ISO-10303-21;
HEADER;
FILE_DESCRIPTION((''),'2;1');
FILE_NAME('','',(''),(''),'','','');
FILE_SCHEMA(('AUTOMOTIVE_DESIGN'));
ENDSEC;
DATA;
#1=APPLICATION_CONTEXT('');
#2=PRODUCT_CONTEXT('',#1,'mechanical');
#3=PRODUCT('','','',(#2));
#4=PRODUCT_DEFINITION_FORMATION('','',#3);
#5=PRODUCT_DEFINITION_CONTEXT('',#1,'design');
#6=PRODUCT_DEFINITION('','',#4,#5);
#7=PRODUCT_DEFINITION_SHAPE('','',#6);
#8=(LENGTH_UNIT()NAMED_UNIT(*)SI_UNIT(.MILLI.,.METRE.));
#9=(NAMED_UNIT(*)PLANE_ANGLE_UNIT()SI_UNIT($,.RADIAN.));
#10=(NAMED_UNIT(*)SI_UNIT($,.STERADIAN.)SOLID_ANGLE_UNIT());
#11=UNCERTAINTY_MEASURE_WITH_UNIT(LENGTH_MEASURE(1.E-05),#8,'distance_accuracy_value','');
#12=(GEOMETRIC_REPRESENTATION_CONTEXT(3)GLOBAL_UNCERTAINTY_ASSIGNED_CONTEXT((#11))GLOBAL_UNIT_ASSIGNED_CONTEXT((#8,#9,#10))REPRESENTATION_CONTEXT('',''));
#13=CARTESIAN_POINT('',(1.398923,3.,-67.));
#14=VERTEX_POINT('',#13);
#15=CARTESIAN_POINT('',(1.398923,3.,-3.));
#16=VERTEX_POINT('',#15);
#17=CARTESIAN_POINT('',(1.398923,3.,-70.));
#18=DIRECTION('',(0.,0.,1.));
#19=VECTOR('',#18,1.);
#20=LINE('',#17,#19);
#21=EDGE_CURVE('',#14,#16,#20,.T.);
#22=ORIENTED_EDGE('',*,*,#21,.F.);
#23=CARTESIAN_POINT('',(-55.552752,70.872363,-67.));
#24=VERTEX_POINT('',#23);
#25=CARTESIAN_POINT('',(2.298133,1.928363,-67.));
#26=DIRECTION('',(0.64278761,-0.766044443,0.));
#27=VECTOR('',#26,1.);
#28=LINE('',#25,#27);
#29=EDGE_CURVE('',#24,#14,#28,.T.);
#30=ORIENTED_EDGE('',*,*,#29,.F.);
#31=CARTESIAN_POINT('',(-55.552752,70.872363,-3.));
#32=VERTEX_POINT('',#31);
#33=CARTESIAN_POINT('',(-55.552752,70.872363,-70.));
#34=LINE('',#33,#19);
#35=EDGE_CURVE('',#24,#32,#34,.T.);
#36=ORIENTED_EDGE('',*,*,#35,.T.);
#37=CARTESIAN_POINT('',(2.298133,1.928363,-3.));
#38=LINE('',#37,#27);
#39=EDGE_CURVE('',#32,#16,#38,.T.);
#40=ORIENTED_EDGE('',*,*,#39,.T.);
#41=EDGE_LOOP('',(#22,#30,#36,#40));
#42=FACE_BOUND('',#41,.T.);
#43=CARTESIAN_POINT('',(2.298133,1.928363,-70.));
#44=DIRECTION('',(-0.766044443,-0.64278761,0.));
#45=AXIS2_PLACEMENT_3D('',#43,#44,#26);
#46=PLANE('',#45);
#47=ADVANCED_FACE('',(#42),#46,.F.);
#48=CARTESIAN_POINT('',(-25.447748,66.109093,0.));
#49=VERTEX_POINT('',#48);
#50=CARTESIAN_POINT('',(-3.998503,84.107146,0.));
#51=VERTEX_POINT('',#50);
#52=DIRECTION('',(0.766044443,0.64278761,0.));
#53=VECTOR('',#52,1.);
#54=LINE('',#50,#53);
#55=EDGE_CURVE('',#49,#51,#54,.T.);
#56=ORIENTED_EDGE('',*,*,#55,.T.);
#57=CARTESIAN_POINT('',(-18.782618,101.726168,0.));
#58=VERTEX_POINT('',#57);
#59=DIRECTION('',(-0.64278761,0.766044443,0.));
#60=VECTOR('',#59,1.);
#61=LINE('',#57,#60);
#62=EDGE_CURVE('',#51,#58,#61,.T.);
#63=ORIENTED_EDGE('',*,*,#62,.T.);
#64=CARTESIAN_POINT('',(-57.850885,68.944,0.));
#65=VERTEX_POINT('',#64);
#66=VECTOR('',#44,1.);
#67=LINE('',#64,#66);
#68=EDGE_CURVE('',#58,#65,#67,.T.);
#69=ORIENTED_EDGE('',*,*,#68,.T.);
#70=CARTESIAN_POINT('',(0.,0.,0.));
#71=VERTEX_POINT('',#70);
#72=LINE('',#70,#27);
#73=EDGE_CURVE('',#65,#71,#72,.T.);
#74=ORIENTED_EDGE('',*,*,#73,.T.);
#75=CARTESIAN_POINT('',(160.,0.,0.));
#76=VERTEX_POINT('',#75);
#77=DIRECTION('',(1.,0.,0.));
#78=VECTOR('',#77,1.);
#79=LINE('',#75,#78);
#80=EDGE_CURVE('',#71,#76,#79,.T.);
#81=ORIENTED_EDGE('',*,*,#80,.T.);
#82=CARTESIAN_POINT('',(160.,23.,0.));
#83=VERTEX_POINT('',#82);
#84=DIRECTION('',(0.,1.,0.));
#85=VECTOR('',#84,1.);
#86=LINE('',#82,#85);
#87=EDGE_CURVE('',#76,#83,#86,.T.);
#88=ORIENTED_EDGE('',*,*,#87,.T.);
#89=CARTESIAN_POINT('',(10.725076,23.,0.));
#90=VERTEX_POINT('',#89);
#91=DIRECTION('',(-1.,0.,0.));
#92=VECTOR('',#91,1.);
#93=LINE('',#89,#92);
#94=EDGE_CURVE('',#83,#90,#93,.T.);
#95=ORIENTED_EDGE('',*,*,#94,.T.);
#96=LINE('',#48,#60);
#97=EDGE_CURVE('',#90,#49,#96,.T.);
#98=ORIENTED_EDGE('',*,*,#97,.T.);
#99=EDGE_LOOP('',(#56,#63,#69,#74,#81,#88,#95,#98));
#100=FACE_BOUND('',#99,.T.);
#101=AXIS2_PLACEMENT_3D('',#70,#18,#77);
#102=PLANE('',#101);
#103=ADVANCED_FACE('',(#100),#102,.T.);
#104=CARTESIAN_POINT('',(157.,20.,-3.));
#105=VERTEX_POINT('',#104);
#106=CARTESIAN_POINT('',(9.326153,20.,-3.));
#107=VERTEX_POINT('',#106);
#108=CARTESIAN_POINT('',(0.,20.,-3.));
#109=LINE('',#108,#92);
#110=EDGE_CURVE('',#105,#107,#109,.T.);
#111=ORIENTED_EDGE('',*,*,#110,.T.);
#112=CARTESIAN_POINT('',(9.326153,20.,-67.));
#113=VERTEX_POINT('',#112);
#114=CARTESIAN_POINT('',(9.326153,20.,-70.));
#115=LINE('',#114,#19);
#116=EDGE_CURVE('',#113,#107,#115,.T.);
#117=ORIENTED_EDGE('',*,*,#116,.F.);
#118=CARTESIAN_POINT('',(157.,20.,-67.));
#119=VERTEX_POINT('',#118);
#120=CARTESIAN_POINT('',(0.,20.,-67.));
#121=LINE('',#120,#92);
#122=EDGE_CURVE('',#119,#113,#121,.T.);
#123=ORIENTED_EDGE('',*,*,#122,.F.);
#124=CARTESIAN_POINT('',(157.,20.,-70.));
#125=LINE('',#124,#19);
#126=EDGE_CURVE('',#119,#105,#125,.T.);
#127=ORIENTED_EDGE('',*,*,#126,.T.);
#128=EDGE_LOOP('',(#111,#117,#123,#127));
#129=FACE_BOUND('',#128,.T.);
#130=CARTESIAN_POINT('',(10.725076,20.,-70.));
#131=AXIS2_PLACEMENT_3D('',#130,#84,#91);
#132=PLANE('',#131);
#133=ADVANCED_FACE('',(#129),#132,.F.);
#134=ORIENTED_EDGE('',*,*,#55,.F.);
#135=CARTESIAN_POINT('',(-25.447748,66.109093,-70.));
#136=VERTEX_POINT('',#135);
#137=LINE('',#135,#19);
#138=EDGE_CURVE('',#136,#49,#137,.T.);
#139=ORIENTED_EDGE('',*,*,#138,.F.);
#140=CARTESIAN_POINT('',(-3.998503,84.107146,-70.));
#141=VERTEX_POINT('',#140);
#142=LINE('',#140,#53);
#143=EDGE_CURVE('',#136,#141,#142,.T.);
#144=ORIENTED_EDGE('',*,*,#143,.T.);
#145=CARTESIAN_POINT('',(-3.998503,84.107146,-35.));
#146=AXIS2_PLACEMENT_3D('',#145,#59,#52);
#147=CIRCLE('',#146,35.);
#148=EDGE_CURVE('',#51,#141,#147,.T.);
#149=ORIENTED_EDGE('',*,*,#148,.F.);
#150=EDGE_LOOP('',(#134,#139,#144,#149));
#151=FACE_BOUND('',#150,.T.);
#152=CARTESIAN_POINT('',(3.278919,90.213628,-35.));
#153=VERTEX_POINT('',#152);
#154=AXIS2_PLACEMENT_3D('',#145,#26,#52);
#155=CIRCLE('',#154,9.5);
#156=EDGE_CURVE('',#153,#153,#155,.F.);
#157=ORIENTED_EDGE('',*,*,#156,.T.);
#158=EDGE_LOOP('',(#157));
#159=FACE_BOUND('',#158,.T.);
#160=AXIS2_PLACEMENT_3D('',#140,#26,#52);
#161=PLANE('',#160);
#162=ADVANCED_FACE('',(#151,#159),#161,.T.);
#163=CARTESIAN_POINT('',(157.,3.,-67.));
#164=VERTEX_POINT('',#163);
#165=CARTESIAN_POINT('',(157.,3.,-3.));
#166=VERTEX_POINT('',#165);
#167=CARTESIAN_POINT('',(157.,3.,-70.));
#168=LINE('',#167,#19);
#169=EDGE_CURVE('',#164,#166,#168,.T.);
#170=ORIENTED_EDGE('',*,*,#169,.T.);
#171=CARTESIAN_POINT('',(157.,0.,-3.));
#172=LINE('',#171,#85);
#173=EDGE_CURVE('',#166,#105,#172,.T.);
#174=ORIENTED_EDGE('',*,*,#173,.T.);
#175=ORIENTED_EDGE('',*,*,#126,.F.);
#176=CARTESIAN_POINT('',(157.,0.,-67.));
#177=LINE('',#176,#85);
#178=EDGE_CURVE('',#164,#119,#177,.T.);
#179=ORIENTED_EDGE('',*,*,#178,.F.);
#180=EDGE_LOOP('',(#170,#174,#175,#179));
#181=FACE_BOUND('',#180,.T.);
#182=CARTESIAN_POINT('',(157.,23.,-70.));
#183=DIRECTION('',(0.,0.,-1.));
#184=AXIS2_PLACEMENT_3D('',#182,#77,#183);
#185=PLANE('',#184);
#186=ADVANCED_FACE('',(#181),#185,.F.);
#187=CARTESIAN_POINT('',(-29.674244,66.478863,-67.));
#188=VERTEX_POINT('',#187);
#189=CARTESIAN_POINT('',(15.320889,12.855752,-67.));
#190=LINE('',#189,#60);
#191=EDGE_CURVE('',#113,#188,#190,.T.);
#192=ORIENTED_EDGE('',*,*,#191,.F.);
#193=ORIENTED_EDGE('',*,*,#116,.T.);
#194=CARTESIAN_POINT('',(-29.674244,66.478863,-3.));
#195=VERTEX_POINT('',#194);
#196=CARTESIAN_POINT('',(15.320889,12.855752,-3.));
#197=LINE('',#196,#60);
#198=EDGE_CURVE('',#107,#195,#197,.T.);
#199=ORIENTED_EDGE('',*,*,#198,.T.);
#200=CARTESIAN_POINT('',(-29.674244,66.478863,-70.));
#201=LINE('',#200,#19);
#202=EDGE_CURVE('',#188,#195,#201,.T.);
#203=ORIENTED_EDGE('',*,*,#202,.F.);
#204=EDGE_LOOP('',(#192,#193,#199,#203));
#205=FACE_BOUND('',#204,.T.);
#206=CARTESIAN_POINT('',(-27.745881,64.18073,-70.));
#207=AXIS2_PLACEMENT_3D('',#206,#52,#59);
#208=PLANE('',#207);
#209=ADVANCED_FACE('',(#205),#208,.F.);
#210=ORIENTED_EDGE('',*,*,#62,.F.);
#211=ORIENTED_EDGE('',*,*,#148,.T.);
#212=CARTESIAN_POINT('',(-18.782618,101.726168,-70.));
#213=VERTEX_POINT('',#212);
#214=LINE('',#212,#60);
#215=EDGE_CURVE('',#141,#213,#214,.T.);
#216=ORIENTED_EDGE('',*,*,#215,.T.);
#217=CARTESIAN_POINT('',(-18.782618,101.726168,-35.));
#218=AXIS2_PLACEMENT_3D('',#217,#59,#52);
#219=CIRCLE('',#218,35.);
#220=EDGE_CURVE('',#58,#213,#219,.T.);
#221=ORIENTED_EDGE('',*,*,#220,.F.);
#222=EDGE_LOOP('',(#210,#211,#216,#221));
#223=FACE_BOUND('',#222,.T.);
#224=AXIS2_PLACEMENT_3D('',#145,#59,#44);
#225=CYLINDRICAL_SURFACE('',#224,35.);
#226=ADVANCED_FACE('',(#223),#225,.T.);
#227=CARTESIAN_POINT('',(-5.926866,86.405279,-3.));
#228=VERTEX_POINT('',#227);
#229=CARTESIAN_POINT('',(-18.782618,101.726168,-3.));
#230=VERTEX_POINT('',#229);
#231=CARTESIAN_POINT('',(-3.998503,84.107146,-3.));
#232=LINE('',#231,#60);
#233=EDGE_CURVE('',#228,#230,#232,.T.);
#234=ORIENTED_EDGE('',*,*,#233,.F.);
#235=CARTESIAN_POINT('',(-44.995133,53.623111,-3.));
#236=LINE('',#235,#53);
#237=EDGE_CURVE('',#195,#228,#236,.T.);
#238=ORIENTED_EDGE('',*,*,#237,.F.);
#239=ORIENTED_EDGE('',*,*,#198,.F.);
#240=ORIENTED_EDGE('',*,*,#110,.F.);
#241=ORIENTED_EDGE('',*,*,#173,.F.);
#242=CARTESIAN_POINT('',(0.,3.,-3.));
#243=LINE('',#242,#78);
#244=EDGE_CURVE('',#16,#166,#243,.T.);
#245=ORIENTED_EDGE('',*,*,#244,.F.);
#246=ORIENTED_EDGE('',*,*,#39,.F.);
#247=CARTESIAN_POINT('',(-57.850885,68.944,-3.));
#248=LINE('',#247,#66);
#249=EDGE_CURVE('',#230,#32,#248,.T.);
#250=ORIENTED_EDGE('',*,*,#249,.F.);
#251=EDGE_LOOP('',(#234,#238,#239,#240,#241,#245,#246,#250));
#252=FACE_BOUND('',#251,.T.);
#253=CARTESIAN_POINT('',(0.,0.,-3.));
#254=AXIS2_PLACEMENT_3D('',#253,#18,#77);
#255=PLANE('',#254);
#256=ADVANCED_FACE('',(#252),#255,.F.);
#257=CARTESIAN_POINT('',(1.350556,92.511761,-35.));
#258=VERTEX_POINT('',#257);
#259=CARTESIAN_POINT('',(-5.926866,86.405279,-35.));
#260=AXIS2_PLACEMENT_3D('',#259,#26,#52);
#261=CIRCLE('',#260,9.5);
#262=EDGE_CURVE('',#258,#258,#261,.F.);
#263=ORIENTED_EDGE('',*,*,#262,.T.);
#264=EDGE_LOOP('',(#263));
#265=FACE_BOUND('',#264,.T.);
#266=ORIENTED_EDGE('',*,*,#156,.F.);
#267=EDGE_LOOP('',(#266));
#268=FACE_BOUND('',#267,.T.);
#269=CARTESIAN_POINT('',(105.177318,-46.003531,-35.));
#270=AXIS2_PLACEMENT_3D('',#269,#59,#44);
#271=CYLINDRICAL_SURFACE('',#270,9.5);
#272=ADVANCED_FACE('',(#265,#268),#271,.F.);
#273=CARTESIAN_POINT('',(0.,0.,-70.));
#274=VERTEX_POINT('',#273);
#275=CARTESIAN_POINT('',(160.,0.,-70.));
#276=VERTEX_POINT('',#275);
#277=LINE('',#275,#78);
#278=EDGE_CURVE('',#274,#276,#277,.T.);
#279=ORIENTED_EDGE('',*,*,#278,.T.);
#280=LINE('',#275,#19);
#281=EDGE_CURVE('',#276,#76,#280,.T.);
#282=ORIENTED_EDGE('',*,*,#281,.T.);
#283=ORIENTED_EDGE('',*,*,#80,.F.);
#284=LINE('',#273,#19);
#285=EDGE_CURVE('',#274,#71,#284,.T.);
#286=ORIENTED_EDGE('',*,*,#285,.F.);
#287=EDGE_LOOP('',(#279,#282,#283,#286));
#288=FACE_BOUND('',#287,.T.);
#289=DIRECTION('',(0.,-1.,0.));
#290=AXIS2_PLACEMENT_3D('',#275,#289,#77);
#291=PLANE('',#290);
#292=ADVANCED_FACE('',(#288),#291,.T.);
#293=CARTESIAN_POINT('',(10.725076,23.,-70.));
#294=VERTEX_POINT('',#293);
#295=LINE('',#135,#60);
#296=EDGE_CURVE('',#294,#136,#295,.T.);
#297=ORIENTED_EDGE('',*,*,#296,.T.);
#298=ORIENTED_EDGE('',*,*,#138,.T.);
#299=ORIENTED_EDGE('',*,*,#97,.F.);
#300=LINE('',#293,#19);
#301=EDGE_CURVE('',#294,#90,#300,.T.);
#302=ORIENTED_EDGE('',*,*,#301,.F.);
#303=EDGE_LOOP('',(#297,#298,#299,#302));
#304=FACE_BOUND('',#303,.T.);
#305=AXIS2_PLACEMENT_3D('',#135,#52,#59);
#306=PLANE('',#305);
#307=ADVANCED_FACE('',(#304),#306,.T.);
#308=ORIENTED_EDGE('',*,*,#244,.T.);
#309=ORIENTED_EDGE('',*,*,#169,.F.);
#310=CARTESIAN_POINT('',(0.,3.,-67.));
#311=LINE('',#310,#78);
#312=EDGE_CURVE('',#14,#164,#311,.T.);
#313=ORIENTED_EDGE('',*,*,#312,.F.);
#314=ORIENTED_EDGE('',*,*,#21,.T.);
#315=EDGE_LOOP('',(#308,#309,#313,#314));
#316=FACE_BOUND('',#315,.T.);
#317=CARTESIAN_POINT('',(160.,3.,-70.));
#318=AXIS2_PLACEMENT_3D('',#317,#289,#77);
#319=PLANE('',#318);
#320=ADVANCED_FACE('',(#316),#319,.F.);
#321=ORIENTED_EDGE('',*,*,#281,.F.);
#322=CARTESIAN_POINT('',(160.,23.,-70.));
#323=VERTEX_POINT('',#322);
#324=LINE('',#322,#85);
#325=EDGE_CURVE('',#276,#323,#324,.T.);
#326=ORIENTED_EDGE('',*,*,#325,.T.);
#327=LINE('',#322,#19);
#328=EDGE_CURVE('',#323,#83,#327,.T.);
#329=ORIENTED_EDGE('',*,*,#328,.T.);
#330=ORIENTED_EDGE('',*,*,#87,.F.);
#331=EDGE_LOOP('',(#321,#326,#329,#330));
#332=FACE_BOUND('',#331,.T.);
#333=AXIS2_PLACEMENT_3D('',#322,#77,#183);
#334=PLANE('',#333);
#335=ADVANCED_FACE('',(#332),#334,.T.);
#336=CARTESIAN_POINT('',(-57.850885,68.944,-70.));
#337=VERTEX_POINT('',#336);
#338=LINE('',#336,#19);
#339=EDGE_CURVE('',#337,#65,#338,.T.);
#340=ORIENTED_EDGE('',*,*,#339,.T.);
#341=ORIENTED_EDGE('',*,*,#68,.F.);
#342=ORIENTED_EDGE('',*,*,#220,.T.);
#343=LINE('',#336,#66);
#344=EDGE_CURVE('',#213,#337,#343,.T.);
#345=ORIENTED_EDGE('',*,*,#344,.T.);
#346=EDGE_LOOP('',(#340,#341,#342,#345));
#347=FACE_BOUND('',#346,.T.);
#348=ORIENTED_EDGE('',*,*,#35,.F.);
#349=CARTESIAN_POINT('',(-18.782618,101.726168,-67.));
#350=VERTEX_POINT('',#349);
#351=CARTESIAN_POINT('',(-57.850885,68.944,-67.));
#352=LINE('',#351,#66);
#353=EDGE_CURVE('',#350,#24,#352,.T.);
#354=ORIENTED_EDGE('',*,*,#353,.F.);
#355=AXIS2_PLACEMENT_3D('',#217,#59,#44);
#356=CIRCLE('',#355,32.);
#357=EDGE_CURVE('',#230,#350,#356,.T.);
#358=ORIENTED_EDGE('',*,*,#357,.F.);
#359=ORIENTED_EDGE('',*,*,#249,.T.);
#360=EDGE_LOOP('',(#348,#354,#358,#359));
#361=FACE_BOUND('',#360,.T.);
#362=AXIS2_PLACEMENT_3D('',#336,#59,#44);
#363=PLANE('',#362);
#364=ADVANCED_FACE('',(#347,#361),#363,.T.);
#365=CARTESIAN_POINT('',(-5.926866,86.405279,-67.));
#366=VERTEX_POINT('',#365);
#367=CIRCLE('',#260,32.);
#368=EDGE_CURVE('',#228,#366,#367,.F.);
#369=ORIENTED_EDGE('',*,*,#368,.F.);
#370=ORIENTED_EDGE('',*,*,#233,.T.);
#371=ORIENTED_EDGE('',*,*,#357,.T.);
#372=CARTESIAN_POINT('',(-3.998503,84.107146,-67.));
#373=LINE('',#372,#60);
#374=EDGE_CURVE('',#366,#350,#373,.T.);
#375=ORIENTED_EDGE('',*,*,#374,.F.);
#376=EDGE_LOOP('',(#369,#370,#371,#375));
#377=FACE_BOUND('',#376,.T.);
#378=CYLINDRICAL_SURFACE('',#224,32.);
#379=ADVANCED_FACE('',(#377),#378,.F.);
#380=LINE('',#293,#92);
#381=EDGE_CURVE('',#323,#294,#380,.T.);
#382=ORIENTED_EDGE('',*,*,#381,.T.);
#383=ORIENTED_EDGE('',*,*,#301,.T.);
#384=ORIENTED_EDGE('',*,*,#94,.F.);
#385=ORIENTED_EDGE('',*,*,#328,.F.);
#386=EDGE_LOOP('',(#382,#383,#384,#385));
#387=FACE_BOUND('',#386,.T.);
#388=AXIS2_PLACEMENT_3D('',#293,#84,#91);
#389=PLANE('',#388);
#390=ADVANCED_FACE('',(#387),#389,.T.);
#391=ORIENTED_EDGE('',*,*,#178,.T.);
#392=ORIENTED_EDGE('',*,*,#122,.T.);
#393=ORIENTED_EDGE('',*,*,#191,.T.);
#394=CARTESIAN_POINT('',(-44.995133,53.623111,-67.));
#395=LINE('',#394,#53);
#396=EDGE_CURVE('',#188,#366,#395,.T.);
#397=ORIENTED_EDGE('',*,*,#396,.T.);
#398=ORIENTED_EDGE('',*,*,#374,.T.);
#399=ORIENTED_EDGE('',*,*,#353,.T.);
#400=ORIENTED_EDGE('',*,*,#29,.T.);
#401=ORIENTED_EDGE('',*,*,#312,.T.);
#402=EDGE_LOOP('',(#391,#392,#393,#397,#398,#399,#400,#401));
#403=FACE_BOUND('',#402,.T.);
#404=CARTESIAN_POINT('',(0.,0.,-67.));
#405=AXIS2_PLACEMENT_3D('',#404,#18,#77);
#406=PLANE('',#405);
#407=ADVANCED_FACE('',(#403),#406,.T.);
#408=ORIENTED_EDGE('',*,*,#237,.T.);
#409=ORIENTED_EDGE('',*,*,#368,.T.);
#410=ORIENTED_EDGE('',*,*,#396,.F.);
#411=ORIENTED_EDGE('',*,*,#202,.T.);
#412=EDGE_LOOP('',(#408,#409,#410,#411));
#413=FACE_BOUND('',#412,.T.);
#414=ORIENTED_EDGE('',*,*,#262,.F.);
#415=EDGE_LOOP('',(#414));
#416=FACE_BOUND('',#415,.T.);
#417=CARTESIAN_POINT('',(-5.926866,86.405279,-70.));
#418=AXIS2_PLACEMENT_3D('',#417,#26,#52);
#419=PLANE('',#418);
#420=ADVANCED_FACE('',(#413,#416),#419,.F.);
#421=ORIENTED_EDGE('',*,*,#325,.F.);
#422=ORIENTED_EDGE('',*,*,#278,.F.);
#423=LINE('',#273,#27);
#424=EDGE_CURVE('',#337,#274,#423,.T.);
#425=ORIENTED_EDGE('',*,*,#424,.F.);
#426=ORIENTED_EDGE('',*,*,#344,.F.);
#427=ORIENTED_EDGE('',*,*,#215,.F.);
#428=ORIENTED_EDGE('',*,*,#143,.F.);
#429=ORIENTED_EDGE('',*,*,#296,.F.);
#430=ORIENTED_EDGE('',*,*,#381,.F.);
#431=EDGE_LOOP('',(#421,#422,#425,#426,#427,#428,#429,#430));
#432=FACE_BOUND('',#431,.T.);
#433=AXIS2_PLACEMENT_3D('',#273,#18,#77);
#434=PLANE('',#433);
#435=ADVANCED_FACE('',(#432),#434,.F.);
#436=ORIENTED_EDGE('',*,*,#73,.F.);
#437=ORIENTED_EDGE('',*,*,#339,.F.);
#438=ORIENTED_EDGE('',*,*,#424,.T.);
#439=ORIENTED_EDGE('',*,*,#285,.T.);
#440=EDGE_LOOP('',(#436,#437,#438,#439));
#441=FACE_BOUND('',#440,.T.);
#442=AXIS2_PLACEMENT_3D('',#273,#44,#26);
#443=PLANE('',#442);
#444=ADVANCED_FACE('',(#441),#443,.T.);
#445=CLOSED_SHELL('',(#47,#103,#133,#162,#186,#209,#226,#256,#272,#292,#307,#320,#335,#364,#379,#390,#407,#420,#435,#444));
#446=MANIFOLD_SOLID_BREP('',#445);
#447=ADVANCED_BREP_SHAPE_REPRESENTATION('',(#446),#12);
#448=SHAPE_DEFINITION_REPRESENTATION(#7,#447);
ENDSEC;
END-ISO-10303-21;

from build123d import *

# Parameters (mm, degrees)
BOSS_EXTRU_1_DEPTH      = 70
BOSS_EXTRU_2_DEPTH      = 23
ENL_V_MAT_EXTRU_1_REACH = 240.982
ESQUISSE3_R             = 9.500000000000002
COQUE1_T                = -3


with BuildPart() as part:
    # Esquisse1 → Boss.-Extru.1 (new body)
    with BuildSketch(Plane.XY):
        Polygon((0, 0), (-57.85088487178843, 68.94399988070812), (-18.782618272720498, 101.72616797472158), (-3.9985032499301187, 84.10714578298506), (-25.447747657261537, 66.10909271176199), (10.725076137565006, 23.000000000000007), (160, 23.000000000000004), (160, 2.45e-15), align=None)
    extrude(amount=-BOSS_EXTRU_1_DEPTH)

    # Esquisse2 → Boss.-Extru.2 (add)
    with BuildSketch(Plane(origin=(-57.85088487178846, 68.94399988070815, 0), x_dir=(0.7660444431189791, 0.6427876096865383, 0), z_dir=(-0.6427876096865383, 0.7660444431189791, 0))):
        with BuildLine():
            Line((51.00000000000002, 70), (50.99999999999999, 0))
            ThreePointArc((50.99999999999999, 0), (86.00000000000003, 34.999999999999986), (51.00000000000002, 70))
        make_face()
    extrude(amount=-BOSS_EXTRU_2_DEPTH)

    # Esquisse3 → Enlèv. mat.-Extru.1 (cut, up to next)
    with BuildSketch(Plane(origin=(-57.85088487178846, 68.94399988070815, 0), x_dir=(0.7660444431189791, 0.6427876096865383, 0), z_dir=(-0.6427876096865383, 0.7660444431189791, 0)), mode=Mode.PRIVATE) as enl_v_mat_extru_1_sk1:
        with Locations(Location((51.000000000000036, 35, 0), (0, 0, 180))):
            Circle(ESQUISSE3_R)
    enl_v_mat_extru_1_tool1 = extrude(enl_v_mat_extru_1_sk1.sketch, amount=-ENL_V_MAT_EXTRU_1_REACH, mode=Mode.PRIVATE) & part.part
    add(enl_v_mat_extru_1_tool1.solids().sort_by_distance((-18.782618, 101.726168, -35))[0], mode=Mode.SUBTRACT)

    # Coque1
    coque1_openings = [part.faces().sort_by_distance(p)[0] for p in [
        (-27.96387644, 94.022177633, -35),
        (-4.113138552, 99.023139171, -35),
    ]]
    offset(amount=COQUE1_T, openings=coque1_openings, kind=Kind.INTERSECTION)


solid = part.part
